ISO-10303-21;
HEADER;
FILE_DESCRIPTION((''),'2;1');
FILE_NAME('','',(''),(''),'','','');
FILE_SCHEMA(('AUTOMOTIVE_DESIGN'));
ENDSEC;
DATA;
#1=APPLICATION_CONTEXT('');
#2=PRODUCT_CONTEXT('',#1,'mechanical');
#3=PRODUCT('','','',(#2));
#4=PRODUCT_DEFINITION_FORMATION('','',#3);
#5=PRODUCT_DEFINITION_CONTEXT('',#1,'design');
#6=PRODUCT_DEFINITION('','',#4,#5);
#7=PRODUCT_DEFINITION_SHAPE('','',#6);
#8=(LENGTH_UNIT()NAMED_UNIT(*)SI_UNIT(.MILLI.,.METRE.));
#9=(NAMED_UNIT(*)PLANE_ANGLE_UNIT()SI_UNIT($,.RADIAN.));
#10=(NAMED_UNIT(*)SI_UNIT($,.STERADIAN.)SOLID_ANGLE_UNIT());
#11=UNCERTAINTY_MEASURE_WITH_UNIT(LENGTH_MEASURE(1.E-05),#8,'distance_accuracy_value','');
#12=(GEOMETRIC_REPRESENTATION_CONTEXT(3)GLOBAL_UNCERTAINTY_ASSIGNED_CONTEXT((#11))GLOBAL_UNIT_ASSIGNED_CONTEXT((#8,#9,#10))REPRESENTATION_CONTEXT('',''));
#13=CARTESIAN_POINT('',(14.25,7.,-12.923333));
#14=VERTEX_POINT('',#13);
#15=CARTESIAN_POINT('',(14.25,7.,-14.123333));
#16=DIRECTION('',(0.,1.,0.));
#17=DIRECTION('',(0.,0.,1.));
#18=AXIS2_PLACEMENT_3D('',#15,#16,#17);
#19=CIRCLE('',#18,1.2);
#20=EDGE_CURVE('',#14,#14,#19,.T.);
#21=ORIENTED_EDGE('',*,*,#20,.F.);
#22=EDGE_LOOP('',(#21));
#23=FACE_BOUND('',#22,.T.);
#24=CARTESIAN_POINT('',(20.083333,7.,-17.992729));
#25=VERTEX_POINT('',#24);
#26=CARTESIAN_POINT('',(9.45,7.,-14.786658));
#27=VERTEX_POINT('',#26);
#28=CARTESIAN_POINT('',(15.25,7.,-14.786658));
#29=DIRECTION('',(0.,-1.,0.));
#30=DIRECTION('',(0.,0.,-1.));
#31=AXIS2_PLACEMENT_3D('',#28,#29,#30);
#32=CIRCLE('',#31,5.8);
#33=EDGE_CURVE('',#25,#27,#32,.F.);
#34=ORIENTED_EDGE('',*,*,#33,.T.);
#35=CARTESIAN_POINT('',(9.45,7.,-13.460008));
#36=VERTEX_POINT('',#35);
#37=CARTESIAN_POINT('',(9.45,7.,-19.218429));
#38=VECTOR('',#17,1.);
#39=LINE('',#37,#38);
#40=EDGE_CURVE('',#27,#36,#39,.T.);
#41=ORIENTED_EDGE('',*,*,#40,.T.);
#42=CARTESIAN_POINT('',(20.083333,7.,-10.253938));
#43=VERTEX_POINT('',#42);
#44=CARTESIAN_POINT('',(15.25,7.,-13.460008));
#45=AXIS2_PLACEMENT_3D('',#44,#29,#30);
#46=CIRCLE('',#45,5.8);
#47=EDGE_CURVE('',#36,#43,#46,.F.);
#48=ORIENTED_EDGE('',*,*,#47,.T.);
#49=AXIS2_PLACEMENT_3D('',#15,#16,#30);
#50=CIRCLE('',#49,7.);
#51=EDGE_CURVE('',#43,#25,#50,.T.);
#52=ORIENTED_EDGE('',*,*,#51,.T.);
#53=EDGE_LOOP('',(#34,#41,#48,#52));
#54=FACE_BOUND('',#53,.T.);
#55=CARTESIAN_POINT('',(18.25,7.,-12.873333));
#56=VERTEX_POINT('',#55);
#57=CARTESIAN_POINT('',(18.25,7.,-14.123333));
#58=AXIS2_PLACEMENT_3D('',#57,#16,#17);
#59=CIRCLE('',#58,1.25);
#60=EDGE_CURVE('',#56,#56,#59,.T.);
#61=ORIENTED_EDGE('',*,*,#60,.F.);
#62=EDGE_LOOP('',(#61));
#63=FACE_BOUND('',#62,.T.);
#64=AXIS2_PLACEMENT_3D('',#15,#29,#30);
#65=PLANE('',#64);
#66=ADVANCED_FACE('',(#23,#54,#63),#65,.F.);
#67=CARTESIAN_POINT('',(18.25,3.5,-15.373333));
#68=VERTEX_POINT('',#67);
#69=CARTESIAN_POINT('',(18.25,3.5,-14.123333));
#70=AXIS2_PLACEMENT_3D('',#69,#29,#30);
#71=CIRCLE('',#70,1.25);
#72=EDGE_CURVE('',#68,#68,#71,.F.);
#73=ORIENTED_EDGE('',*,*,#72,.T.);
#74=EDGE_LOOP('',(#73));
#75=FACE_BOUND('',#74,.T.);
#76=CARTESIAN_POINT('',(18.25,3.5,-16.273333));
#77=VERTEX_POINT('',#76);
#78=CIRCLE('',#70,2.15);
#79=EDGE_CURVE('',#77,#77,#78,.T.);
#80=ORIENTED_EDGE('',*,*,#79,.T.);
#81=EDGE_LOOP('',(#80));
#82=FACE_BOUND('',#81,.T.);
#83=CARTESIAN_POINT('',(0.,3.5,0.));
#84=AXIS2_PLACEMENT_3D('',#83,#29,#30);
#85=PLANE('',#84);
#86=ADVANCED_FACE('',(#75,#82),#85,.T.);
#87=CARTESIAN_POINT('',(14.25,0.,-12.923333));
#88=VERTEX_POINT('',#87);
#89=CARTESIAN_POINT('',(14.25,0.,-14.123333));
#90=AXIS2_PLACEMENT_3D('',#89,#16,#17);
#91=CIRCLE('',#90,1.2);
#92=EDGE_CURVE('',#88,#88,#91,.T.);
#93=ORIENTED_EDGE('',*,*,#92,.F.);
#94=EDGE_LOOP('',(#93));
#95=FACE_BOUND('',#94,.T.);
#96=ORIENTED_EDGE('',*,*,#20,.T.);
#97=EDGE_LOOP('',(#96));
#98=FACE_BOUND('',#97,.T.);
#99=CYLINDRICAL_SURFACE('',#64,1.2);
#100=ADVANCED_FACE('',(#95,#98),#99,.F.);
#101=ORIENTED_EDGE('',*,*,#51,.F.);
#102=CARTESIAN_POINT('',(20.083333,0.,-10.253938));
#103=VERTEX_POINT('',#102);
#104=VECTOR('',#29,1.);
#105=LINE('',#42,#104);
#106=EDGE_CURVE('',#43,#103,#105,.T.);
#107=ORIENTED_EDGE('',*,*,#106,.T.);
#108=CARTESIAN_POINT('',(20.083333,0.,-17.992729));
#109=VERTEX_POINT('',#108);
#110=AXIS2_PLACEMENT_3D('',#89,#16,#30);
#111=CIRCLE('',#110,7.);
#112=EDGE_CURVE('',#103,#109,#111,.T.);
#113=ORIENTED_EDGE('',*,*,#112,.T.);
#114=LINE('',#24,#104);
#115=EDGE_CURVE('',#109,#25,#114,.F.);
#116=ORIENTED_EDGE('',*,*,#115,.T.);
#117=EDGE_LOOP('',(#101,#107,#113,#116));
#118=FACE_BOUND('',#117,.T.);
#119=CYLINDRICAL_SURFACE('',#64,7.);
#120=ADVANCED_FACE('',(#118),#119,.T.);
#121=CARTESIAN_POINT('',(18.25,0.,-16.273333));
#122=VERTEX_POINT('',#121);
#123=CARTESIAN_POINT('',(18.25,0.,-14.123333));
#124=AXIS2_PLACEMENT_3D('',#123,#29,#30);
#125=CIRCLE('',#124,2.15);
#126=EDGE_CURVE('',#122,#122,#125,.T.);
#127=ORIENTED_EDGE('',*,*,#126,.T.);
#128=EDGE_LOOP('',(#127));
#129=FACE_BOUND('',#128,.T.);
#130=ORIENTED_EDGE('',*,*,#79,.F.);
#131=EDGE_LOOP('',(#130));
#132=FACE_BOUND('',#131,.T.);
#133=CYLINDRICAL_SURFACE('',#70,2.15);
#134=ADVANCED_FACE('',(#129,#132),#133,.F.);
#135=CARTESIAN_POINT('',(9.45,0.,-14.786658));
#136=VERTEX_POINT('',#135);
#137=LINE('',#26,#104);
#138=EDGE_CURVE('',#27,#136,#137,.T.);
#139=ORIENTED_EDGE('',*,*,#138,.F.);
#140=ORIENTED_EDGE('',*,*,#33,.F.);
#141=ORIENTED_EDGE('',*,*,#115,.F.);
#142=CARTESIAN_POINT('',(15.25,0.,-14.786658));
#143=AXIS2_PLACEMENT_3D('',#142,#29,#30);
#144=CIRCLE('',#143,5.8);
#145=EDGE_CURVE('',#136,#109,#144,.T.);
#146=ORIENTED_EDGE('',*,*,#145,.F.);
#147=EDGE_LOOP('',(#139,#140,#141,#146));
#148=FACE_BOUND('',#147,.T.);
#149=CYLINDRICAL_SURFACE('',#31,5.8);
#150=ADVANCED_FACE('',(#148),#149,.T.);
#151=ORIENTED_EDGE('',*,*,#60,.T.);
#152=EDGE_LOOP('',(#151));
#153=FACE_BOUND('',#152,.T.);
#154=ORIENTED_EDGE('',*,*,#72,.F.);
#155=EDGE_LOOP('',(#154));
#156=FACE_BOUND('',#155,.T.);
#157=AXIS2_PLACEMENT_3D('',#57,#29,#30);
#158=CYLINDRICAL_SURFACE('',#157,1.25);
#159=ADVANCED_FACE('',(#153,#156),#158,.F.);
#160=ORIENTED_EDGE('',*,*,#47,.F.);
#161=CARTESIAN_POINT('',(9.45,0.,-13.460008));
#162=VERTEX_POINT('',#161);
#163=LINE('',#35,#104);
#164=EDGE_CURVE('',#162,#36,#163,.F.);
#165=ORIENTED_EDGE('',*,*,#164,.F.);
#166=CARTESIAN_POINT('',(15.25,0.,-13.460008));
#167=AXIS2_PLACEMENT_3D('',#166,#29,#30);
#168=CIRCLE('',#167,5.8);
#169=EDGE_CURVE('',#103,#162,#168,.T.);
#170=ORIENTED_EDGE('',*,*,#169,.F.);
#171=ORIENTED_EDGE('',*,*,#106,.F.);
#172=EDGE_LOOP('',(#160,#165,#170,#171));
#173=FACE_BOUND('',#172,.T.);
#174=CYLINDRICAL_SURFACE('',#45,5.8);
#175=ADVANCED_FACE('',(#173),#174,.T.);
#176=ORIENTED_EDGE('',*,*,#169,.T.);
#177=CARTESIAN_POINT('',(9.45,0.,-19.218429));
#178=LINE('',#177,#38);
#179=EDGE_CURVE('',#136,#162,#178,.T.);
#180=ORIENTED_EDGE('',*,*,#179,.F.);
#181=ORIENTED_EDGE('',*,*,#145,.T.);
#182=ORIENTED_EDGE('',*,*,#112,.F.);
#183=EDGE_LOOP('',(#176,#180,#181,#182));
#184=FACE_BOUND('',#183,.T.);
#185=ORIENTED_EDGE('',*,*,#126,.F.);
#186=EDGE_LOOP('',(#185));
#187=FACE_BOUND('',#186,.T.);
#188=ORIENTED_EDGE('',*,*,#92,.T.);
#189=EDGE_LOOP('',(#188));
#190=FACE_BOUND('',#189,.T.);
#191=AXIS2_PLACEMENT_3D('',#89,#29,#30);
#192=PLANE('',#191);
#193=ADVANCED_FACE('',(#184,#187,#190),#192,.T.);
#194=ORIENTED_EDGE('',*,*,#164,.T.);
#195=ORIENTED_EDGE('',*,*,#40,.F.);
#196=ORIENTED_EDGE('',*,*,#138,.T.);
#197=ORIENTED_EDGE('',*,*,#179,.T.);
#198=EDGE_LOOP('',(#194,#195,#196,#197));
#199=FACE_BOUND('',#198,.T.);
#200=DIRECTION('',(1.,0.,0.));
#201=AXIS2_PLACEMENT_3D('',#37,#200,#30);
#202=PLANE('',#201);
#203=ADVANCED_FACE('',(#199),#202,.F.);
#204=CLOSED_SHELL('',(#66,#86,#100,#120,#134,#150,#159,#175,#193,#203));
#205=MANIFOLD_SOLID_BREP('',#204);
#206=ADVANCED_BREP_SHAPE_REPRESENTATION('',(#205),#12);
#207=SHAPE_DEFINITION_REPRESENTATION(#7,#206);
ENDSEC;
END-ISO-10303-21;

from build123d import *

# Parameters (mm, degrees)
SKETCH1_R           = 1.2
SKETCH1_R_2         = 1.25
BOSS_EXTRUDE1_DEPTH = 7
SKETCH3_R           = 2.15
CUT_EXTRUDE3_DEPTH  = 3.5
FILLET1_R           = 5.8


with BuildPart() as part:
    # Sketch1 → Boss-Extrude1 (new body)
    with BuildSketch(Plane(origin=(0, 0, 0), x_dir=(1, 0, 0), z_dir=(0, 1, 0))):
        with BuildLine():
            Line((9.45, 19.218429014), (9.45, 9.028237652))
            ThreePointArc((9.45, 9.028237652), (21.25, 14.123333333), (9.45, 19.218429014))
        make_face()
        with Locations((14.25, 14.123333333)):
            Circle(SKETCH1_R, mode=Mode.SUBTRACT)
        with Locations((18.25, 14.123333333)):
            Circle(SKETCH1_R_2, mode=Mode.SUBTRACT)
    extrude(amount=BOSS_EXTRUDE1_DEPTH)

    # Sketch3 → Cut-Extrude3 (cut)
    with BuildSketch(Plane.XZ):
        with Locations((18.25, -14.123333333)):
            Circle(SKETCH3_R)
    extrude(amount=-CUT_EXTRUDE3_DEPTH, mode=Mode.SUBTRACT)

    # Fillet1
    fillet1_edges = [part.edges().sort_by_distance(p)[0] for p in [
        (9.45, 3.5, -9.028237652),
        (9.45, 3.5, -19.218429014),
    ]]
    fillet(fillet1_edges, radius=FILLET1_R)


solid = part.part
